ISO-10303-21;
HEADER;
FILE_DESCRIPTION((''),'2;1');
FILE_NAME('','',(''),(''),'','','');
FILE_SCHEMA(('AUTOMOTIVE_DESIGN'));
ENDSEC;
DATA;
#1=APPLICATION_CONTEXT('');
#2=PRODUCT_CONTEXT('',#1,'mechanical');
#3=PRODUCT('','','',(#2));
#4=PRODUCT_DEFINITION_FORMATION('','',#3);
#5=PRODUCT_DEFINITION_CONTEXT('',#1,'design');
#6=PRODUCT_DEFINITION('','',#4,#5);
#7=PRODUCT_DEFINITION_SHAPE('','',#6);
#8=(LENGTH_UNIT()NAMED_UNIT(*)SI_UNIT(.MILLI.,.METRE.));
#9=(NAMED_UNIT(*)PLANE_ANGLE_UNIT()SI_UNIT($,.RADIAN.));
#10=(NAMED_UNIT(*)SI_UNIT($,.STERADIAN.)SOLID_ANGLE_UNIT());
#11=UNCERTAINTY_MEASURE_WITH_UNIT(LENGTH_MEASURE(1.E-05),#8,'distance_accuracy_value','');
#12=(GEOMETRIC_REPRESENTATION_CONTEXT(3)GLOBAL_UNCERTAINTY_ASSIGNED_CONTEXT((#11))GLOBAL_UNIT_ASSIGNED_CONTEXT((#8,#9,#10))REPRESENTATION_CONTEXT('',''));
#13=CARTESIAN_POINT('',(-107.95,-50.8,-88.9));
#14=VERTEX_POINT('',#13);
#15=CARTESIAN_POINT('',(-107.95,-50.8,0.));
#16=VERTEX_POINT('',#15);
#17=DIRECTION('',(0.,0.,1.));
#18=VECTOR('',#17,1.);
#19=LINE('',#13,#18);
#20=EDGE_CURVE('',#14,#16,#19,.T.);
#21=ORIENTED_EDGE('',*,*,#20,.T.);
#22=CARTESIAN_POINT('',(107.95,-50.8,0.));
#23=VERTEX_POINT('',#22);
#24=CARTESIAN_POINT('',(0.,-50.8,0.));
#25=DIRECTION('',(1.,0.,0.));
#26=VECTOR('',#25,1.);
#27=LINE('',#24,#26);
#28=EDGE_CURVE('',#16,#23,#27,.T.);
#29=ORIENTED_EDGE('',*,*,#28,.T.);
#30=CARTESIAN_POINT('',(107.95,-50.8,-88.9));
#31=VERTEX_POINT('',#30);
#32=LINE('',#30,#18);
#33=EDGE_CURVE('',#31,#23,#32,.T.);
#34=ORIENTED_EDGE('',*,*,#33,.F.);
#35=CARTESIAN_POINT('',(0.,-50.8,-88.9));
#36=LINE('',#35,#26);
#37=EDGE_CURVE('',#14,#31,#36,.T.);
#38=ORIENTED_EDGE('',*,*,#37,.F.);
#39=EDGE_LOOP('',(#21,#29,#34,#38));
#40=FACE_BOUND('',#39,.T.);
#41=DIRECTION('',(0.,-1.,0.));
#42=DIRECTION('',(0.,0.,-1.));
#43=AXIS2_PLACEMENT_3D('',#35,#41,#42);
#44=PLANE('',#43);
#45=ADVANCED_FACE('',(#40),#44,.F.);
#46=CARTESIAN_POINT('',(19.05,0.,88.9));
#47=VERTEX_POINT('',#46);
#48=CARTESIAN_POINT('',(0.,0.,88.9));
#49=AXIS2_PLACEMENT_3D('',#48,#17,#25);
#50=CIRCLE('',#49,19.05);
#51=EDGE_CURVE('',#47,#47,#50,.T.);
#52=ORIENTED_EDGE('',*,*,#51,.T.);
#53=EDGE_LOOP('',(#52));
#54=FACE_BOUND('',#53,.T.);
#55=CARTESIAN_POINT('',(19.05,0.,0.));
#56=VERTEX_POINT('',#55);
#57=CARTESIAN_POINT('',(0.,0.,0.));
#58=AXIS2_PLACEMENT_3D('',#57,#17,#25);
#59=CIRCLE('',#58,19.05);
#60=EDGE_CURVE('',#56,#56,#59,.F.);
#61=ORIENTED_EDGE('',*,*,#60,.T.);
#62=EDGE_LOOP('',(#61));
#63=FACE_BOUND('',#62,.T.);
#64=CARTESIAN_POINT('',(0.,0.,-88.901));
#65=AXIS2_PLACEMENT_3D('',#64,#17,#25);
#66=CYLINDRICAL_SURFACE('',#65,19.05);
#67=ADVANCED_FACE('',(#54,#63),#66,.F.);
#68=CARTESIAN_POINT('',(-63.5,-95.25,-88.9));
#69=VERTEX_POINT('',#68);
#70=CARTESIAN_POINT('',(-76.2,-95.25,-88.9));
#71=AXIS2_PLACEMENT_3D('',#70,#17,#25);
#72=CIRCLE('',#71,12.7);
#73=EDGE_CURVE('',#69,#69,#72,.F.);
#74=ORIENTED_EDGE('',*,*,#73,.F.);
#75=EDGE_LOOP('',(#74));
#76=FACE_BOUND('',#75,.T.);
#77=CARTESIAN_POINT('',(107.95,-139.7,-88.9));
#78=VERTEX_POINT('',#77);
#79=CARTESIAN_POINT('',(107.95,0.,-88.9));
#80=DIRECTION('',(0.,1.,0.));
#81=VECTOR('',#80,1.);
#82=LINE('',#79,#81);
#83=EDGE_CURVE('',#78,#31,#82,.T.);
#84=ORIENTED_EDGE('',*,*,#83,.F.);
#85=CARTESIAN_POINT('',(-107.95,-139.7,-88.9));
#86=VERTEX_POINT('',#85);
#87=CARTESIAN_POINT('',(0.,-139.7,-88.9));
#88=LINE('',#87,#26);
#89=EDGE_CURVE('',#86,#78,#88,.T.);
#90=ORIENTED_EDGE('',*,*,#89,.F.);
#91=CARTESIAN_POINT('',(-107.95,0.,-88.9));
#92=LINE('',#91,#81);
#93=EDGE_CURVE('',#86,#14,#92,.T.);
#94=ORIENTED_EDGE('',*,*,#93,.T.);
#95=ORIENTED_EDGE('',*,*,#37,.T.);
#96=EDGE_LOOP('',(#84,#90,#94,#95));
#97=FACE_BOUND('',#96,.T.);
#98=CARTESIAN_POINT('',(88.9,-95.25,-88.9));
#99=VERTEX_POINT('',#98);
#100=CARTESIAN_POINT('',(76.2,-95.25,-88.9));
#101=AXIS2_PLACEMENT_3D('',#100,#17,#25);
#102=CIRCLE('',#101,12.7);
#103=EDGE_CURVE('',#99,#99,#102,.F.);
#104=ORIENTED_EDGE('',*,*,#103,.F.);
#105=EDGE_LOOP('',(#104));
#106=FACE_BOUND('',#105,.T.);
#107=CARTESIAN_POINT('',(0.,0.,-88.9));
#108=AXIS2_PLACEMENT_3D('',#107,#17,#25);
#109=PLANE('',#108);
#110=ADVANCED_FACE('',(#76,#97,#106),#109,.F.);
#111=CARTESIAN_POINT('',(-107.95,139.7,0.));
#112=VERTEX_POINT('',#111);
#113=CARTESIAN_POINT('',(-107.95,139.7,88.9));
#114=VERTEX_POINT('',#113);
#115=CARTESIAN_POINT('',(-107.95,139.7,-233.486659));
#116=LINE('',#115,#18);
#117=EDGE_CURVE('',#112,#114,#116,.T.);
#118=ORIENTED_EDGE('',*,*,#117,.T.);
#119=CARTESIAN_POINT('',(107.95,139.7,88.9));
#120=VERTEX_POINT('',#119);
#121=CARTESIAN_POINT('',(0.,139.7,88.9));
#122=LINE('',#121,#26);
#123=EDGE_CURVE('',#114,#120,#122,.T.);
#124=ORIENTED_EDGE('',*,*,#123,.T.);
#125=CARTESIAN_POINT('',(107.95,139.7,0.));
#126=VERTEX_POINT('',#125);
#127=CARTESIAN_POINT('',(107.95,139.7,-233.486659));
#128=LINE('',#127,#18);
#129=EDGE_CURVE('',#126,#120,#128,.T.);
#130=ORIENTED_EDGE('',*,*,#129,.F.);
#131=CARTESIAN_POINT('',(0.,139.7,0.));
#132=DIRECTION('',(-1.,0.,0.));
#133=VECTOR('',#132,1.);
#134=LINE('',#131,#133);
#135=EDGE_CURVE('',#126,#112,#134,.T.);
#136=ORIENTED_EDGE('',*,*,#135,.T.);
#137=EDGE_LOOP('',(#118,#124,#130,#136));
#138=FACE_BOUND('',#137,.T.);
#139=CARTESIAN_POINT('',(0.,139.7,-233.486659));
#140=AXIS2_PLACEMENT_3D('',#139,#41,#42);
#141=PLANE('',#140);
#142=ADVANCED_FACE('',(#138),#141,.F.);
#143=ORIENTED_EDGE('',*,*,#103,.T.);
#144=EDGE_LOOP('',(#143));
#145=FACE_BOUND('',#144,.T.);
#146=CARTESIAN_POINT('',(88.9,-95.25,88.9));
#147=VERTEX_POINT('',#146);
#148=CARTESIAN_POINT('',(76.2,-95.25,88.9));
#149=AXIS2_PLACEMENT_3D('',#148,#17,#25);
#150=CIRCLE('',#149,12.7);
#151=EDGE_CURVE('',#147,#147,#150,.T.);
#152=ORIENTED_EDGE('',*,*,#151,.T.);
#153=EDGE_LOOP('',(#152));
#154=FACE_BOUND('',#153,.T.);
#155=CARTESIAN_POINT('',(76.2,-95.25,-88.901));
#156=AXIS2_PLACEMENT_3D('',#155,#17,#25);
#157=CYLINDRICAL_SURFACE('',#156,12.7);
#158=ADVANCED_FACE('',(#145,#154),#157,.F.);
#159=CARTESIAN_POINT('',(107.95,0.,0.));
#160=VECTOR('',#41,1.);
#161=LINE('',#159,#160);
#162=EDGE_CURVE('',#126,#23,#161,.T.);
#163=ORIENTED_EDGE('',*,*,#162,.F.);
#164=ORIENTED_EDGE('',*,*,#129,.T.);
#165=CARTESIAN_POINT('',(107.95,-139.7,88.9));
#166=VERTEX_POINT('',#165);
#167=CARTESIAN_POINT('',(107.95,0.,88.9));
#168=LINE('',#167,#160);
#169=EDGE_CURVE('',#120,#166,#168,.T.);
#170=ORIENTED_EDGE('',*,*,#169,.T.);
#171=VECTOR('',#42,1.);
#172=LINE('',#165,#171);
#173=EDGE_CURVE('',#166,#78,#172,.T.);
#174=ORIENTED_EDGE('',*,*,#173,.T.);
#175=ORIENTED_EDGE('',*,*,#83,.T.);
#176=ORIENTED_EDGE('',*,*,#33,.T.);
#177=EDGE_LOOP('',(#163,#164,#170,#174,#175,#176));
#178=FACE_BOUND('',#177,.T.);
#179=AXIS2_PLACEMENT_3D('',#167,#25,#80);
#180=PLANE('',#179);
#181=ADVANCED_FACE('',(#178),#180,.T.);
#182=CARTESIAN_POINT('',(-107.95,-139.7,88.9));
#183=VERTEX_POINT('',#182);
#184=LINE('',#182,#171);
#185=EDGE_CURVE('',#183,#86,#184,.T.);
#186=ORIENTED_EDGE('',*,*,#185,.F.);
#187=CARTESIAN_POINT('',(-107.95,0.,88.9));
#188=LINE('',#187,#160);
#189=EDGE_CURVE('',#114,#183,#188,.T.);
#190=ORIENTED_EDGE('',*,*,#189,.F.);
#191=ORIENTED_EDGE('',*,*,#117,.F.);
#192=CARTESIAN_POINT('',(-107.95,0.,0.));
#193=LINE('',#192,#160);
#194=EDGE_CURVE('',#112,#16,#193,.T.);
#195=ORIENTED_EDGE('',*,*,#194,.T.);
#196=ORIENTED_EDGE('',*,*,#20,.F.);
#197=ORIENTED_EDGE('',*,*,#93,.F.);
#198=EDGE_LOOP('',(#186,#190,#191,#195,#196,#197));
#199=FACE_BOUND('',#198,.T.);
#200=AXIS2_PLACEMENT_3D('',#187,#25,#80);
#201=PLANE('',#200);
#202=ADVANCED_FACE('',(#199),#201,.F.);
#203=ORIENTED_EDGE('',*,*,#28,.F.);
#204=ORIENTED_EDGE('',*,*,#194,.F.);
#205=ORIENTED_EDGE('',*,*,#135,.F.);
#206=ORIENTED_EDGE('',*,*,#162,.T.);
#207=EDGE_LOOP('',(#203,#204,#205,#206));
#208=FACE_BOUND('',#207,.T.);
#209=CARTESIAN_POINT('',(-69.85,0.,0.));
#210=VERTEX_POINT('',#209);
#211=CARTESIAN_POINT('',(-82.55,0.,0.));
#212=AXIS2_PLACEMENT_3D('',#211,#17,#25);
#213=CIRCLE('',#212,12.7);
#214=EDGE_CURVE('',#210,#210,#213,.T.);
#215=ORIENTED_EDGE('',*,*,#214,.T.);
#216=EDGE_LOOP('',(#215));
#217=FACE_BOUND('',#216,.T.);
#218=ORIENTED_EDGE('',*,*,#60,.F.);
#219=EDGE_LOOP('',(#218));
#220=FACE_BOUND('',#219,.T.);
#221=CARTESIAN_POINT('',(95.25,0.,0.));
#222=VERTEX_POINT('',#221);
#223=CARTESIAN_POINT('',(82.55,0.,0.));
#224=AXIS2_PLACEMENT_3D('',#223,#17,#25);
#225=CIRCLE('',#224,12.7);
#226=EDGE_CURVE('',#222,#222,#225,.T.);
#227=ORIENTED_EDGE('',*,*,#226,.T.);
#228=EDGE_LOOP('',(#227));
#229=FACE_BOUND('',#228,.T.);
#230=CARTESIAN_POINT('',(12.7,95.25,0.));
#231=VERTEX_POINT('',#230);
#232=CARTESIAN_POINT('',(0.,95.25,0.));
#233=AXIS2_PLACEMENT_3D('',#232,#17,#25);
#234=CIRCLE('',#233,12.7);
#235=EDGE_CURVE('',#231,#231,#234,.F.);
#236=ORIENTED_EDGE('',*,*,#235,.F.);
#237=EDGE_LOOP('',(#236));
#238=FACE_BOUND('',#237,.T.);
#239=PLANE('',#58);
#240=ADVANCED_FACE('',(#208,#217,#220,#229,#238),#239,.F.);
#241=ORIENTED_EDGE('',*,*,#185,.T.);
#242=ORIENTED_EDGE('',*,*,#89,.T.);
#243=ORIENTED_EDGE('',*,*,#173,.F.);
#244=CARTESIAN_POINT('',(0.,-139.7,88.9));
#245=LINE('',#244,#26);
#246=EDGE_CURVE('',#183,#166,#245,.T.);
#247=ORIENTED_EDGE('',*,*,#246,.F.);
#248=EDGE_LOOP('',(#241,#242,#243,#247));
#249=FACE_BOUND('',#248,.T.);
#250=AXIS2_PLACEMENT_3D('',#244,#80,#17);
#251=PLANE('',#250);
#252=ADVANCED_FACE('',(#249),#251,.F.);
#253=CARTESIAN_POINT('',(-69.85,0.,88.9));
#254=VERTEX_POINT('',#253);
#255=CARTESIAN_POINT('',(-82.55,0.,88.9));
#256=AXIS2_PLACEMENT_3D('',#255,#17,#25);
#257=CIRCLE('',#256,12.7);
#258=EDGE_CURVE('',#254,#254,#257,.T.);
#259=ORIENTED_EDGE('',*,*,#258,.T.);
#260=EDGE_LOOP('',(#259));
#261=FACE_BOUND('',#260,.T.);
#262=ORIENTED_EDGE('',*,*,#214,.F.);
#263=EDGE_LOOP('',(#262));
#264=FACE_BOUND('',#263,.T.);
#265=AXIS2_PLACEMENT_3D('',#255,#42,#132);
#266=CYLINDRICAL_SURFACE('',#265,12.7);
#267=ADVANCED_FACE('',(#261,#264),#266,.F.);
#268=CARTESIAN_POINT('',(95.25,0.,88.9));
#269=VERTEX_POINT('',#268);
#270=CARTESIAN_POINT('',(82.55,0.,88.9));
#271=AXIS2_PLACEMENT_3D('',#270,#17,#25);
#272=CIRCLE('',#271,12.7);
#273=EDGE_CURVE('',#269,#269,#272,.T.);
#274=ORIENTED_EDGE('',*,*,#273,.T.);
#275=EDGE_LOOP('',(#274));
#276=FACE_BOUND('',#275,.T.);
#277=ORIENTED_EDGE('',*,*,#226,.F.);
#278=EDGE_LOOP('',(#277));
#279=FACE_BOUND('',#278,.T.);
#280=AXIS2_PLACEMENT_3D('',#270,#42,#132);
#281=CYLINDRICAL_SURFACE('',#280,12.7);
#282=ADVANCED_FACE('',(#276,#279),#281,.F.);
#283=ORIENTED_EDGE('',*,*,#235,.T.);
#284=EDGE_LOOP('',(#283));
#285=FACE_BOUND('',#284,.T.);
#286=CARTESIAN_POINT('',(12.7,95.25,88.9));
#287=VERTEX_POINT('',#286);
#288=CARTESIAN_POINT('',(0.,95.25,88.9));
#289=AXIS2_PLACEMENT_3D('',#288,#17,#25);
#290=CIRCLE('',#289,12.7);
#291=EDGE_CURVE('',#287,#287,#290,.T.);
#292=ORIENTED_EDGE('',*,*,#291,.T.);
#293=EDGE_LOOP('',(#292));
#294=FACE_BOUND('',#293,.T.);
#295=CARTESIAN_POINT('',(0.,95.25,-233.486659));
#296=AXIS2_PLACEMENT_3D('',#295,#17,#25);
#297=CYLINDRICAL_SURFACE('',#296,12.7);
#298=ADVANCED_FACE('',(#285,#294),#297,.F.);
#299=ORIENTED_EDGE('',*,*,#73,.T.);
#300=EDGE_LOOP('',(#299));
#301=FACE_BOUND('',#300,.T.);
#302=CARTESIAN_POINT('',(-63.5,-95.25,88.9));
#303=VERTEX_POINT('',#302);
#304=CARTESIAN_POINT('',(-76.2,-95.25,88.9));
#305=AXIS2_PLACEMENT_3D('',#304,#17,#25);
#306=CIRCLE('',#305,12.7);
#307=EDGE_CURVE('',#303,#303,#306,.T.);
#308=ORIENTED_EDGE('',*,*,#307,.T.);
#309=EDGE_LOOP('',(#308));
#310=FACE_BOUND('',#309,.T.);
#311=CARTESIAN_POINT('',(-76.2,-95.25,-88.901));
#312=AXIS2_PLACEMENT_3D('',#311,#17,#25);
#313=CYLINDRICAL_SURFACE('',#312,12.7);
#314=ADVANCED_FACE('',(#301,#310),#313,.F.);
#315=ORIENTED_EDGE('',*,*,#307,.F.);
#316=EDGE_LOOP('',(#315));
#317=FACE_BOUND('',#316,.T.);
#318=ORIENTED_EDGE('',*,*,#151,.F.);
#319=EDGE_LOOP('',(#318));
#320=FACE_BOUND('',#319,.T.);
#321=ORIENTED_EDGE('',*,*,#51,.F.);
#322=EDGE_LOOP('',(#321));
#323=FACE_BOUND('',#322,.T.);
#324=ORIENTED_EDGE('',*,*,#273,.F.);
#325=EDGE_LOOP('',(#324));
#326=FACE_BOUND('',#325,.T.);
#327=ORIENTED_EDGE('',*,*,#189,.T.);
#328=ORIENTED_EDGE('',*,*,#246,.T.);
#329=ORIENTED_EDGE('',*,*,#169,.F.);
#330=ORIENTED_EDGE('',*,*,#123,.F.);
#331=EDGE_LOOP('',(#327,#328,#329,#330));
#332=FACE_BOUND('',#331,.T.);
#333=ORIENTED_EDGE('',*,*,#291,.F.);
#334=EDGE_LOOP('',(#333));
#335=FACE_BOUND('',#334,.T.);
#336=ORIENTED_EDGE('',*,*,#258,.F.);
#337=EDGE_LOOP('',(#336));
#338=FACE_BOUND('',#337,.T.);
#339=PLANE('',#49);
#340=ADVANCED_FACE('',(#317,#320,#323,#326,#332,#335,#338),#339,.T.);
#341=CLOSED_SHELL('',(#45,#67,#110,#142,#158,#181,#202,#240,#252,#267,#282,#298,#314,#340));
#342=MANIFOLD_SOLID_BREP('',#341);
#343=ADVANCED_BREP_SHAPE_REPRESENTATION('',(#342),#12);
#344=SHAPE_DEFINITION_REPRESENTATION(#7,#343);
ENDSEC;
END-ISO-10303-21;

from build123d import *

# Parameters (mm, degrees)
SKETCH1_W           = 215.9
SKETCH1_H           = 101.6
SKETCH1_R           = 12.7
SKETCH1_H_2         = 88.9
BOSS_EXTRUDE1_DEPTH = 88.9
SKETCH1_3_W         = 215.9
SKETCH1_3_H         = 88.9
BOSS_EXTRUDE2_DEPTH = 88.9
SKETCH2_W           = 215.9
SKETCH2_H           = 88.9
SKETCH2_R           = 12.7
BOSS_EXTRUDE3_DEPTH = 88.9
CUT_EXTRUDE1_REACH  = 252.564
SKETCH2_3_R         = 12.7
SKETCH2_3_R_2       = 19.05


with BuildPart() as part:
    # Sketch1 → Boss-Extrude1 (new body)
    # profile 1 of 2: a face of its own
    with BuildSketch(Plane.XY):
        Rectangle(SKETCH1_W, SKETCH1_H)
        with Locations((82.55, 0)):
            Circle(SKETCH1_R, mode=Mode.SUBTRACT)
        with Locations((-82.55, 0)):
            Circle(SKETCH1_R, mode=Mode.SUBTRACT)
    # profile 2 of 2: a face of its own
    with BuildSketch(Plane.XY):
        with Locations((0, -95.25)):
            Rectangle(SKETCH1_W, SKETCH1_H_2)
    extrude(amount=BOSS_EXTRUDE1_DEPTH)

    # Sketch1<3> → Boss-Extrude2 (add)
    with BuildSketch(Plane.XY):
        with Locations((0, -95.25)):
            Rectangle(SKETCH1_3_W, SKETCH1_3_H)
    extrude(amount=-BOSS_EXTRUDE2_DEPTH)

    # Sketch2 → Boss-Extrude3 (add)
    with BuildSketch(Plane.XY.offset(88.9)):
        with Locations((0, 95.25)):
            Rectangle(SKETCH2_W, SKETCH2_H)
        with Locations((0, 95.25)):
            Circle(SKETCH2_R, mode=Mode.SUBTRACT)
    extrude(amount=-BOSS_EXTRUDE3_DEPTH)

    # Sketch2<3> → Cut-Extrude1 (cut, up to next)
    with BuildSketch(Plane.XY.offset(88.9), mode=Mode.PRIVATE) as cut_extrude1_sk1:
        with Locations((-76.2, -95.25)):
            Circle(SKETCH2_3_R)
    cut_extrude1_tool1 = extrude(cut_extrude1_sk1.sketch, amount=-CUT_EXTRUDE1_REACH, mode=Mode.PRIVATE) & part.part
    # Sketch2<3> → Cut-Extrude1 (cut, up to next)
    with BuildSketch(Plane.XY.offset(88.9), mode=Mode.PRIVATE) as cut_extrude1_sk2:
        with Locations((76.2, -95.25)):
            Circle(SKETCH2_3_R)
    cut_extrude1_tool2 = extrude(cut_extrude1_sk2.sketch, amount=-CUT_EXTRUDE1_REACH, mode=Mode.PRIVATE) & part.part
    # Sketch2<3> → Cut-Extrude1 (cut, up to next)
    with BuildSketch(Plane.XY.offset(88.9), mode=Mode.PRIVATE) as cut_extrude1_sk3:
        Circle(SKETCH2_3_R_2)
    cut_extrude1_tool3 = extrude(cut_extrude1_sk3.sketch, amount=-CUT_EXTRUDE1_REACH, mode=Mode.PRIVATE) & part.part
    add(cut_extrude1_tool1.solids().sort_by_distance((-76.2, -95.25, 88.9))[0], mode=Mode.SUBTRACT)
    add(cut_extrude1_tool2.solids().sort_by_distance((76.2, -95.25, 88.9))[0], mode=Mode.SUBTRACT)
    add(cut_extrude1_tool3.solids().sort_by_distance((0, 0, 88.9))[0], mode=Mode.SUBTRACT)


solid = part.part
